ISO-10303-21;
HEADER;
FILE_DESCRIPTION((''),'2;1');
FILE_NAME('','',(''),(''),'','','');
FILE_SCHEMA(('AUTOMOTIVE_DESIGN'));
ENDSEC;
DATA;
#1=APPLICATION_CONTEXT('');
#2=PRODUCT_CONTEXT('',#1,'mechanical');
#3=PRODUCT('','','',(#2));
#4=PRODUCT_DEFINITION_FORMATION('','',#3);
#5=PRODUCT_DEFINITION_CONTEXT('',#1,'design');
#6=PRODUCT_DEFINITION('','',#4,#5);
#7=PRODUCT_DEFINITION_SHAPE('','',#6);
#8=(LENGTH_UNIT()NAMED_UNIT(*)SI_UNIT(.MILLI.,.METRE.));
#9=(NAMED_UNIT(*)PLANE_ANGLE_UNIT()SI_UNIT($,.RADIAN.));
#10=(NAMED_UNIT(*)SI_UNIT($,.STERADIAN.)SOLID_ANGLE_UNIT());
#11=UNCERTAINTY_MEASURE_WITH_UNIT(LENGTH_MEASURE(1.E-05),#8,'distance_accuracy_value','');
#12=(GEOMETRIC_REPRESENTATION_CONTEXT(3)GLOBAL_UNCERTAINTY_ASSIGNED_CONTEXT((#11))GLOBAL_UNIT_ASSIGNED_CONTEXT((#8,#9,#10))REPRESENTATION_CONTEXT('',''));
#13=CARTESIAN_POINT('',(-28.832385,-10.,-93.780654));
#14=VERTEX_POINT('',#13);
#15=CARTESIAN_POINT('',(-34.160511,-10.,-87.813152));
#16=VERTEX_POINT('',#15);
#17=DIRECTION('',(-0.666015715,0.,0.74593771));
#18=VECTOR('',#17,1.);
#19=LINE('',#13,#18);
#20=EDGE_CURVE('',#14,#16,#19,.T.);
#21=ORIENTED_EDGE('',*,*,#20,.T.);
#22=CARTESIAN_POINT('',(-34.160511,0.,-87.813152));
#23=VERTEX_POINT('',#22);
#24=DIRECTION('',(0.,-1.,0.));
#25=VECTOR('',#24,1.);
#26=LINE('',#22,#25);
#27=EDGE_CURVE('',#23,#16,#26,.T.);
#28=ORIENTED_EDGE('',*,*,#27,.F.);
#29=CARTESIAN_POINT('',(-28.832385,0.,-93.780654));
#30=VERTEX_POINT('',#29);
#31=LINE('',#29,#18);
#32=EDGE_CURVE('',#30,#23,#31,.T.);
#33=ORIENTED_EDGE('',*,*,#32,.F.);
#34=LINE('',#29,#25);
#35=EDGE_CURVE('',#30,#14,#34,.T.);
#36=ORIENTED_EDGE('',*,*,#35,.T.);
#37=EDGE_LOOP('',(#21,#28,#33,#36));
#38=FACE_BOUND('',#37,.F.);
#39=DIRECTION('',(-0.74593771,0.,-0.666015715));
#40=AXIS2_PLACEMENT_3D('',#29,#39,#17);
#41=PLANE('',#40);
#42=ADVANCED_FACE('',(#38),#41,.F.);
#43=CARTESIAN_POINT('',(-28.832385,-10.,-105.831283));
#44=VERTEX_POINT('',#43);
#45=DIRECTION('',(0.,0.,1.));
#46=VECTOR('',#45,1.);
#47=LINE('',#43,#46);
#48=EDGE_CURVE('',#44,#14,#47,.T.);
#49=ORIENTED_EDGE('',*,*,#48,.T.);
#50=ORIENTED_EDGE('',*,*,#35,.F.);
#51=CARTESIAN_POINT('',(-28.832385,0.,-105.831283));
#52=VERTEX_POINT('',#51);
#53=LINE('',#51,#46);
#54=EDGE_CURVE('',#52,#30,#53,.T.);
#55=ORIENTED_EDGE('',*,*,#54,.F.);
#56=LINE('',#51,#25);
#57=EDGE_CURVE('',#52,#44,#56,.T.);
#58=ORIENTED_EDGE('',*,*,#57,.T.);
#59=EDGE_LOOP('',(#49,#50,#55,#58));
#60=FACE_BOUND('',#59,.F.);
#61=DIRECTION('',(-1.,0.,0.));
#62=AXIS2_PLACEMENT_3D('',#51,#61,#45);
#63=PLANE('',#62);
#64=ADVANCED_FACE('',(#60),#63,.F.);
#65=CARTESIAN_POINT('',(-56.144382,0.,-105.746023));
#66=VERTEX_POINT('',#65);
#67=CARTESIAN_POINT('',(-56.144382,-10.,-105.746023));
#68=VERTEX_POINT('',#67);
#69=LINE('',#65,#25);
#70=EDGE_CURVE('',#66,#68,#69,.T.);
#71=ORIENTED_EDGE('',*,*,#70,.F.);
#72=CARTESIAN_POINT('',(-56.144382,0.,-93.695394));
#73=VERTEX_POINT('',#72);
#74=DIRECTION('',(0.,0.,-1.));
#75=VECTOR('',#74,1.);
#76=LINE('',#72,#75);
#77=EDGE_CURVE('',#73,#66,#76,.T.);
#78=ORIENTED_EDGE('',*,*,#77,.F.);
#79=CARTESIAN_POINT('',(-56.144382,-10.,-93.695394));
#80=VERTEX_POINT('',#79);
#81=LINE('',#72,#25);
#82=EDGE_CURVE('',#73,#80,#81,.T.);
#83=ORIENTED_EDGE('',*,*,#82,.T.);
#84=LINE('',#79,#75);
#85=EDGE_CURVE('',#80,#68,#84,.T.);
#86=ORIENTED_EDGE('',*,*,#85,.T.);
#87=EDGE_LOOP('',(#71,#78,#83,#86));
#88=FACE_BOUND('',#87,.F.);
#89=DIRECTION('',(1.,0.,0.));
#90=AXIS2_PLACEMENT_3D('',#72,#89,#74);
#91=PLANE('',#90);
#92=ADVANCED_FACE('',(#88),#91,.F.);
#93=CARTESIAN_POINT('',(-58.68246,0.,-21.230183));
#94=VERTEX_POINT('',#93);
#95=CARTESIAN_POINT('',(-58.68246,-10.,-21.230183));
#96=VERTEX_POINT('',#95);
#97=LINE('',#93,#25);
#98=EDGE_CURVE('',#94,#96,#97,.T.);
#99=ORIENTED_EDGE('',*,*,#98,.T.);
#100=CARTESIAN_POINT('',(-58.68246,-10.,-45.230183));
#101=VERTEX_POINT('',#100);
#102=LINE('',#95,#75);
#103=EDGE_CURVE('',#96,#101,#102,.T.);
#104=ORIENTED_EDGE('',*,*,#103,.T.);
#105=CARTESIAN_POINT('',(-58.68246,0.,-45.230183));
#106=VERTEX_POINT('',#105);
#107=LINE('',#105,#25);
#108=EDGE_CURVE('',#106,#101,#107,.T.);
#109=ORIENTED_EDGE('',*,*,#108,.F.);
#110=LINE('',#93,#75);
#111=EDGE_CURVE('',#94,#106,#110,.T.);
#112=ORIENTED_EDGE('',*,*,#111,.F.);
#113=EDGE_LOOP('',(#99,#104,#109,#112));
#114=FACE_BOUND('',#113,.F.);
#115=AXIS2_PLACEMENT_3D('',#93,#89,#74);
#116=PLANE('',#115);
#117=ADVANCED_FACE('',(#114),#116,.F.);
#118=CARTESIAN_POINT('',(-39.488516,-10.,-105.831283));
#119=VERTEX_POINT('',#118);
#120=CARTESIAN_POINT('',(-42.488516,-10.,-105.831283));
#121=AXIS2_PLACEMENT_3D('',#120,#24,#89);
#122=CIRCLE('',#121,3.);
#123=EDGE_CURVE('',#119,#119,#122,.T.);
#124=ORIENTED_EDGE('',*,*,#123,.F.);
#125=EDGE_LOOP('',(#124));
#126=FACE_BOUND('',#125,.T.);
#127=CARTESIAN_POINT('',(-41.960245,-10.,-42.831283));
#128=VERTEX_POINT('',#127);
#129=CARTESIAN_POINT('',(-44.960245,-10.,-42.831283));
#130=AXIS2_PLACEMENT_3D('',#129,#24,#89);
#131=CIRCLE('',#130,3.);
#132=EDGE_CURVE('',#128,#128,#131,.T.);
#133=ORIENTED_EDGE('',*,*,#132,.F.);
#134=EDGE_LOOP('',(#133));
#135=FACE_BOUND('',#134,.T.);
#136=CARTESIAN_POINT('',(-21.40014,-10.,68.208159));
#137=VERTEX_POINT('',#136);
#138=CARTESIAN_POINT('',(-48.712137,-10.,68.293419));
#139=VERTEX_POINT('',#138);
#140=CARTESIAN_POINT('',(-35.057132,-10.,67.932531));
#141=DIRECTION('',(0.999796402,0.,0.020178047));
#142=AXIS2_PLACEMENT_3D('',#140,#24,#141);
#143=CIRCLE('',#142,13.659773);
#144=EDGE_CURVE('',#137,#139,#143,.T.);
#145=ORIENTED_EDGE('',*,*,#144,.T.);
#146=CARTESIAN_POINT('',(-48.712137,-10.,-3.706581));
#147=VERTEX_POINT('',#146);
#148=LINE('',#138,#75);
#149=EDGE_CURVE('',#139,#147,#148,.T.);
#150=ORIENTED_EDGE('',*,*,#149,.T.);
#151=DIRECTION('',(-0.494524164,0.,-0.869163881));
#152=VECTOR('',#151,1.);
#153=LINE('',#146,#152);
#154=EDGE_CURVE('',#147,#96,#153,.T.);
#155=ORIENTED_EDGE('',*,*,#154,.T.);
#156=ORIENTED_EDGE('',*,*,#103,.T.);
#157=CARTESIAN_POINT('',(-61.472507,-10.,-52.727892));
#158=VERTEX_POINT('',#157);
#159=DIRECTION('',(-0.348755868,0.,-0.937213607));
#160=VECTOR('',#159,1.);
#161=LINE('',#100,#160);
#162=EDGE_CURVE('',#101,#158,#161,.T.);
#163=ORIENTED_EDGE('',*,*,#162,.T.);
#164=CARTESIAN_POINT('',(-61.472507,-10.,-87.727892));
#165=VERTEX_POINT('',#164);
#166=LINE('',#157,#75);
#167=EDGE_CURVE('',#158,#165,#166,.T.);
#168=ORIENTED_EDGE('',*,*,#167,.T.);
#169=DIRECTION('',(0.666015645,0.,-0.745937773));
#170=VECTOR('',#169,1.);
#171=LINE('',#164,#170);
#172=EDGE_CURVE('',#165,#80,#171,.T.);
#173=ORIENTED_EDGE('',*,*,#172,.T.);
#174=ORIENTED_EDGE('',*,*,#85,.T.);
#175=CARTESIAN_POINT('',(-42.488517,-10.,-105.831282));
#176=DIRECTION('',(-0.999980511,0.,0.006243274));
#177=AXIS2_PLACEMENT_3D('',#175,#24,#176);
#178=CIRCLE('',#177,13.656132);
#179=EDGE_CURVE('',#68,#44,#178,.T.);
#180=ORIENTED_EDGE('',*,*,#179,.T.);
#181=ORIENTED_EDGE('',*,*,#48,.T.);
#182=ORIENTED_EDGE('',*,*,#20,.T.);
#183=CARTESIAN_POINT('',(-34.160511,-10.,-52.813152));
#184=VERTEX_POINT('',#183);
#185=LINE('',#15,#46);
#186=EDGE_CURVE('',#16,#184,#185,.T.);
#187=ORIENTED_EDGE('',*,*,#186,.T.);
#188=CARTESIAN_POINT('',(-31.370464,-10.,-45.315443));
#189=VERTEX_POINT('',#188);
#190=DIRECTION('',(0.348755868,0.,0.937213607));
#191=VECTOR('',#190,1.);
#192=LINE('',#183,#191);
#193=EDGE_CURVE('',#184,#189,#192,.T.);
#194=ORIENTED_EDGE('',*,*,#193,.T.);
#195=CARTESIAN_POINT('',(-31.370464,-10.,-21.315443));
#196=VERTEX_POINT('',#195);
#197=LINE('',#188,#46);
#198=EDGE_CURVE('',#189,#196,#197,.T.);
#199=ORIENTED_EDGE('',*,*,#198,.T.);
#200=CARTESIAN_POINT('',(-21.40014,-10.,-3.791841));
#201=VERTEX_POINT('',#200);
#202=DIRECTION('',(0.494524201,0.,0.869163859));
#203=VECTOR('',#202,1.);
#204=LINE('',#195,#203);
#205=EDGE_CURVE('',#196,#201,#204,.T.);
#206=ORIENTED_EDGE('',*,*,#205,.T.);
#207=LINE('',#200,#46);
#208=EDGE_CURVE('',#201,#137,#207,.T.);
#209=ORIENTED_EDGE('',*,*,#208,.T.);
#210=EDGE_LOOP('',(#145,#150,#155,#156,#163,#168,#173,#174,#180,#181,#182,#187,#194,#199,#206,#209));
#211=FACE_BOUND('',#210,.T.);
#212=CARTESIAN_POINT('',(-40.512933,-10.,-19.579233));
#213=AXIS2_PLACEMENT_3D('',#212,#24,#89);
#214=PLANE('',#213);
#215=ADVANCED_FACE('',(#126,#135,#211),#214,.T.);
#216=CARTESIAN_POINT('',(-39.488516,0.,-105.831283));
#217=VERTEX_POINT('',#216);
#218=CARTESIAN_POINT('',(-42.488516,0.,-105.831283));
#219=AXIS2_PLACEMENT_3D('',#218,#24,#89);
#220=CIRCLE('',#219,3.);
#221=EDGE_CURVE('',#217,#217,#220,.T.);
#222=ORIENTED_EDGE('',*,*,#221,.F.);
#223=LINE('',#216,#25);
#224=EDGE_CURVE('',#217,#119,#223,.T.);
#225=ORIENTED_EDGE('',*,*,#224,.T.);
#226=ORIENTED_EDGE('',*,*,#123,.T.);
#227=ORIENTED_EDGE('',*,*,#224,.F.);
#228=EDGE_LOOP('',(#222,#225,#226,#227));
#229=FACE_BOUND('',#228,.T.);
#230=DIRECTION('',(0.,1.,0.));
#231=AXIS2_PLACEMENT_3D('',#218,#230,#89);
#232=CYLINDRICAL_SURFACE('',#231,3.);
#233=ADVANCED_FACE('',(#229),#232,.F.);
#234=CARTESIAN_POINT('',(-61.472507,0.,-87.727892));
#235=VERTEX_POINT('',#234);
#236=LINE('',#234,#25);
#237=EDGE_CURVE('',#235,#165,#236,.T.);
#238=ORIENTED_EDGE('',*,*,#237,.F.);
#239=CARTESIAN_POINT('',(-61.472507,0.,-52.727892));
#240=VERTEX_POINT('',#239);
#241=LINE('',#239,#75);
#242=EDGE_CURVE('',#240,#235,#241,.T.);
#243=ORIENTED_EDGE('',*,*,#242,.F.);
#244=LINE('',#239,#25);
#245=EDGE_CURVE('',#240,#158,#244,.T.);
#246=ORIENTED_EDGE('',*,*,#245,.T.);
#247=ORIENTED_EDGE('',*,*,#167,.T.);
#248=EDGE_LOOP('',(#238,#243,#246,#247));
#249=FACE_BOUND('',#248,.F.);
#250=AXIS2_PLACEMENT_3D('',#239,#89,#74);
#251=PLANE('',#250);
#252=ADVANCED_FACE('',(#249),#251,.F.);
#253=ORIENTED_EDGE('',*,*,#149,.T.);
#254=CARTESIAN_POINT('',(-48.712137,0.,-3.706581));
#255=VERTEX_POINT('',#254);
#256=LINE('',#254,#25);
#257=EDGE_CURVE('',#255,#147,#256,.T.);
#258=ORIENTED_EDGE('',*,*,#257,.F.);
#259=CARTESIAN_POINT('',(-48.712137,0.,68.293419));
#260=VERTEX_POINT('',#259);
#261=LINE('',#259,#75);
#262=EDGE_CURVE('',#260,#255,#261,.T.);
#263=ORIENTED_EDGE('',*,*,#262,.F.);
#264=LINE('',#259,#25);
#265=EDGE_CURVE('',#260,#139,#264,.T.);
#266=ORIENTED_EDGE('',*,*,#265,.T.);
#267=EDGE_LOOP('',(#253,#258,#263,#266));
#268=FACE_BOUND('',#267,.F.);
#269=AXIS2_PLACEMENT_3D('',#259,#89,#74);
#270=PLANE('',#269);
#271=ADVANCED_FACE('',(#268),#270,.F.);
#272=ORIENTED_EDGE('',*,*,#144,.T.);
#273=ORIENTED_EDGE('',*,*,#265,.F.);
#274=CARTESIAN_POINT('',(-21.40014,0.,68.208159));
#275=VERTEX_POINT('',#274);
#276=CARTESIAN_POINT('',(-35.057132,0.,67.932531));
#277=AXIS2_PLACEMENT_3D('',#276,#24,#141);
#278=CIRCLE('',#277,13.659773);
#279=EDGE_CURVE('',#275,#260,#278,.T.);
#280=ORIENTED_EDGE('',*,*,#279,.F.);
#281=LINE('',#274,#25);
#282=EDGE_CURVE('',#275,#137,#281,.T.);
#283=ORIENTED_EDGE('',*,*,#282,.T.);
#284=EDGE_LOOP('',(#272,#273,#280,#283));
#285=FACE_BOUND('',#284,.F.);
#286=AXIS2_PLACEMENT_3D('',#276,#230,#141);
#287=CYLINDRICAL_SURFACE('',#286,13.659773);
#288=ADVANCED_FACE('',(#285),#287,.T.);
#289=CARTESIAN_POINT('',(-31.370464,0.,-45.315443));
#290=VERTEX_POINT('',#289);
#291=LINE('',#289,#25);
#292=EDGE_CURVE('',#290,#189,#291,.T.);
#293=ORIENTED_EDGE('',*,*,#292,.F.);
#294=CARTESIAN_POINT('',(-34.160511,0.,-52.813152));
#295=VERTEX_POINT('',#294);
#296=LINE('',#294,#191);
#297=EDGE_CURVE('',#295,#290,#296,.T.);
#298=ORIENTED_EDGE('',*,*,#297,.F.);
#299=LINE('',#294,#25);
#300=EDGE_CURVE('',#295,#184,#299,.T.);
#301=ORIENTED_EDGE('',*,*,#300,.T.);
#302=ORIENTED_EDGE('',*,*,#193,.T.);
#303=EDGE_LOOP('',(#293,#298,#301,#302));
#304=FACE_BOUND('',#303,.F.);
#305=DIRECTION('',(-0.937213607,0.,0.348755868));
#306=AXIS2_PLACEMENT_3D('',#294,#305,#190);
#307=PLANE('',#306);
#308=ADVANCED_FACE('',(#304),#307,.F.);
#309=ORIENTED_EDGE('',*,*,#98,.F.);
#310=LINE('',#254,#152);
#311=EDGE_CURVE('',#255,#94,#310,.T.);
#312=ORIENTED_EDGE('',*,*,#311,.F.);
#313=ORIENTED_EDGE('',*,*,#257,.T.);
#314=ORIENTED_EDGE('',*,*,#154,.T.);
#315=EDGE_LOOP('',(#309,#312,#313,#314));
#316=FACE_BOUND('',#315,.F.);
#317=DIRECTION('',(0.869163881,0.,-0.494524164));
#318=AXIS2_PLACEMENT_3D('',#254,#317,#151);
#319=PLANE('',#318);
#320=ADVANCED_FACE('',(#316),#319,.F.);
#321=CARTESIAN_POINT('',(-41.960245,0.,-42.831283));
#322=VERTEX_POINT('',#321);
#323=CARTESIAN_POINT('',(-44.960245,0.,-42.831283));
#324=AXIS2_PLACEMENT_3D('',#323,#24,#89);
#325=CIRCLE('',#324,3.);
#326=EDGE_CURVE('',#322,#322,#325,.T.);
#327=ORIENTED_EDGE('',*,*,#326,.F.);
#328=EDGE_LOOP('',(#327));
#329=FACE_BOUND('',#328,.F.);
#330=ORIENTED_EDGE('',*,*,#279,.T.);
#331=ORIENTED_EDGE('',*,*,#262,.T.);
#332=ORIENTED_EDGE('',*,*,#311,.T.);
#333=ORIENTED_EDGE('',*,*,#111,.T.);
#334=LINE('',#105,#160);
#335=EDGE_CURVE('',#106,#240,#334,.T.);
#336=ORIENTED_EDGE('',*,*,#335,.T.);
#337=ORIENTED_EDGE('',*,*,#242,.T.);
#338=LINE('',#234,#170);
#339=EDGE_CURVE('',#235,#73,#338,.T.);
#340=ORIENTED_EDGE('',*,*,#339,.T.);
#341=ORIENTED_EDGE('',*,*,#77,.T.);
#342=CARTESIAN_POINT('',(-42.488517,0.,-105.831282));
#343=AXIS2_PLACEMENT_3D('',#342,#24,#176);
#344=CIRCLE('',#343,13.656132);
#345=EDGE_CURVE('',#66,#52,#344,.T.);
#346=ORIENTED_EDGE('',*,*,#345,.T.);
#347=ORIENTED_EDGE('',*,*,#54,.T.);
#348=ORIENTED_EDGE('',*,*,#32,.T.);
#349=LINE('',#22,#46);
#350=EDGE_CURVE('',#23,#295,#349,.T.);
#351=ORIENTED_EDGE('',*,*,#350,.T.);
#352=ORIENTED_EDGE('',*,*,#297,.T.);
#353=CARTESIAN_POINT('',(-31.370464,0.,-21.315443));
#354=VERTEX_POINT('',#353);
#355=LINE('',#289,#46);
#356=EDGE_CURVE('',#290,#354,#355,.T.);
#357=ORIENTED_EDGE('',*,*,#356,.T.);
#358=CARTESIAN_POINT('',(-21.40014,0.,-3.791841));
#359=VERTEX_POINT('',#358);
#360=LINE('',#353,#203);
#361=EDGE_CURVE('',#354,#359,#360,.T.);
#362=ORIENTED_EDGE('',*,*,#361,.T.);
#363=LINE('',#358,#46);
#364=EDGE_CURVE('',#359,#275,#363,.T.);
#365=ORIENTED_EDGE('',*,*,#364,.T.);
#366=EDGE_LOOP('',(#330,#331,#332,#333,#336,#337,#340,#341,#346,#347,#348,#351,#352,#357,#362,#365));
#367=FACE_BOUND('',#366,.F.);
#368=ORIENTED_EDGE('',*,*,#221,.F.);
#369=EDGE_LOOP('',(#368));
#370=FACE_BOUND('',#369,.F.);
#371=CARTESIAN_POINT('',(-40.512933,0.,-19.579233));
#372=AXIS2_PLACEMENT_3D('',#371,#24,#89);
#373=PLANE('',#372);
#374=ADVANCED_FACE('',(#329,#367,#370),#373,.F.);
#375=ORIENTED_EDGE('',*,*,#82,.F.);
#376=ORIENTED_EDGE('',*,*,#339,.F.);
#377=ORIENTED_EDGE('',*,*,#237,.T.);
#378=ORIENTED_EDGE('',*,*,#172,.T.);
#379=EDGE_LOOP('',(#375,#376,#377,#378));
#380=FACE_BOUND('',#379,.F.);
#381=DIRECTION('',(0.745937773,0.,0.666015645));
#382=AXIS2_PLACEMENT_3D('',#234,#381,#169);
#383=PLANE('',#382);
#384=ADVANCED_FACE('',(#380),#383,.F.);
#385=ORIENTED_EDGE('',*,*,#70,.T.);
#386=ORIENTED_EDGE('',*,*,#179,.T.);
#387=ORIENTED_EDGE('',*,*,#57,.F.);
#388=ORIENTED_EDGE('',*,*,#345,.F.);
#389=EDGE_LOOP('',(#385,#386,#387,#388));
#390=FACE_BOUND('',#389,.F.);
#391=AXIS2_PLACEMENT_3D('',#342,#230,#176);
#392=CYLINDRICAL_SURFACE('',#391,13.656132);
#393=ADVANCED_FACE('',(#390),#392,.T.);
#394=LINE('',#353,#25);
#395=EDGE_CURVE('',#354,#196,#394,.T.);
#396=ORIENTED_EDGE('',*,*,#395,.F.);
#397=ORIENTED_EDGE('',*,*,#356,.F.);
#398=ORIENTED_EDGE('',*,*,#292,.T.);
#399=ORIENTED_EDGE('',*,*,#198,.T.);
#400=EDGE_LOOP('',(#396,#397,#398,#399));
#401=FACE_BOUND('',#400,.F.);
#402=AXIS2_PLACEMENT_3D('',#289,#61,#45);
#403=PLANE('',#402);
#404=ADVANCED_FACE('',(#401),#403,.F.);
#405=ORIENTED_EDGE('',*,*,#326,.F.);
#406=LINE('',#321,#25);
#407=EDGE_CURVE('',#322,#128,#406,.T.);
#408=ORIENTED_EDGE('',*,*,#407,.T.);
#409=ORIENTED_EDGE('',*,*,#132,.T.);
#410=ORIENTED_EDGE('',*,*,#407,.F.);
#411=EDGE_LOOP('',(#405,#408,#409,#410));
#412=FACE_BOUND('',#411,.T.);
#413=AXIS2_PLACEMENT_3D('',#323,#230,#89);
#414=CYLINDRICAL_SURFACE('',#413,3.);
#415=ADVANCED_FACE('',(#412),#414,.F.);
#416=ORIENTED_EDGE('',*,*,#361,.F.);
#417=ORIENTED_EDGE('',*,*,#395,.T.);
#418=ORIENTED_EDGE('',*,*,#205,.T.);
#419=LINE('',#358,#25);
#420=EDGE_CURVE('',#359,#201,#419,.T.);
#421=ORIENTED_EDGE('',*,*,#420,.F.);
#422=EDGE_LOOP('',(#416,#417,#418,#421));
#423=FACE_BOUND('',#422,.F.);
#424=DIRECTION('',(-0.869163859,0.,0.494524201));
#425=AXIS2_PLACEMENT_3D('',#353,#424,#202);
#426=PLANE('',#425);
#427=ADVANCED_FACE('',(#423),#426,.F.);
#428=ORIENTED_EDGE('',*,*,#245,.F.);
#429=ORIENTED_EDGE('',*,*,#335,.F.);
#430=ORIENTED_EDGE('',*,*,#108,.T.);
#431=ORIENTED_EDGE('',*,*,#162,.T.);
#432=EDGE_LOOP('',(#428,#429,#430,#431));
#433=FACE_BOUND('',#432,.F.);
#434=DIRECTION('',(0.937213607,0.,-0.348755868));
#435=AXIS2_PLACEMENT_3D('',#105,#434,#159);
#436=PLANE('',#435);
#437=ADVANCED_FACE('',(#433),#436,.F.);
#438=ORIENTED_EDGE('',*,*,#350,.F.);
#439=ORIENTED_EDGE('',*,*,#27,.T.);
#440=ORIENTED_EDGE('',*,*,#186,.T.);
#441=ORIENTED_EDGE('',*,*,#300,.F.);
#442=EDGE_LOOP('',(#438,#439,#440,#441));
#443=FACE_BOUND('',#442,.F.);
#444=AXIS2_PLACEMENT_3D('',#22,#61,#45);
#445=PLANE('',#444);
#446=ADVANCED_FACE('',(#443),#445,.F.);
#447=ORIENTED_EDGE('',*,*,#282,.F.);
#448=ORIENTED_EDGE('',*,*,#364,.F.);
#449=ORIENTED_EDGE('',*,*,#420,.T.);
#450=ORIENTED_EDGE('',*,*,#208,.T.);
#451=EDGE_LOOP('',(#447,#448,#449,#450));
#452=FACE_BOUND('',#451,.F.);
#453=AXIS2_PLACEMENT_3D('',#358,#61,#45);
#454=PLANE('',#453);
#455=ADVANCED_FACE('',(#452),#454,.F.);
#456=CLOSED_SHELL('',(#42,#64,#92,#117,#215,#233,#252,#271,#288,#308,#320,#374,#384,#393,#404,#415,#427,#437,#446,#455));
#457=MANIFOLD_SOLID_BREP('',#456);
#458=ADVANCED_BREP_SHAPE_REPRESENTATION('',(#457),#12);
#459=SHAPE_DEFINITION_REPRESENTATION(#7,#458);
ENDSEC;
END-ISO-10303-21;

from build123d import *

# Parameters (mm, degrees)
F0_R     = 3
F1_DEPTH = 10


with BuildPart() as f1:
    # F0 (on Front) → F1 (new body)
    with BuildSketch(Plane.XZ):
        with BuildLine():
            ThreePointArc((-21.40014, 68.208159), (-35.014491, 81.592238), (-48.712137, 68.293419))
            Line((-48.712137, 68.293419), (-48.712137, -3.706581))
            Line((-48.712137, -3.706581), (-58.68246, -21.230183))
            Line((-58.68246, -21.230183), (-58.68246, -45.230183))
            Line((-58.68246, -45.230183), (-61.472507, -52.727892))
            Line((-61.472507, -52.727892), (-61.472507, -87.727892))
            Line((-61.472507, -87.727892), (-56.144382, -93.695394))
            Line((-56.144382, -93.695394), (-56.144382, -105.746023))
            ThreePointArc((-56.144382, -105.746023), (-42.531147, -119.487347), (-28.832385, -105.831283))
            Line((-28.832385, -105.831283), (-28.832385, -93.780654))
            Line((-28.832385, -93.780654), (-34.160511, -87.813152))
            Line((-34.160511, -87.813152), (-34.160511, -52.813152))
            Line((-34.160511, -52.813152), (-31.370464, -45.315443))
            Line((-31.370464, -45.315443), (-31.370464, -21.315443))
            Line((-31.370464, -21.315443), (-21.40014, -3.791841))
            Line((-21.40014, -3.791841), (-21.40014, 67.656904))
            Line((-21.40014, 67.656904), (-21.40014, 68.208159))
        make_face()
        with Locations((-42.488516, -105.831283)):
            Circle(F0_R, mode=Mode.SUBTRACT)
        with Locations((-44.960245, -42.831283)):
            Circle(F0_R, mode=Mode.SUBTRACT)
    extrude(amount=F1_DEPTH)


solid = f1.part
